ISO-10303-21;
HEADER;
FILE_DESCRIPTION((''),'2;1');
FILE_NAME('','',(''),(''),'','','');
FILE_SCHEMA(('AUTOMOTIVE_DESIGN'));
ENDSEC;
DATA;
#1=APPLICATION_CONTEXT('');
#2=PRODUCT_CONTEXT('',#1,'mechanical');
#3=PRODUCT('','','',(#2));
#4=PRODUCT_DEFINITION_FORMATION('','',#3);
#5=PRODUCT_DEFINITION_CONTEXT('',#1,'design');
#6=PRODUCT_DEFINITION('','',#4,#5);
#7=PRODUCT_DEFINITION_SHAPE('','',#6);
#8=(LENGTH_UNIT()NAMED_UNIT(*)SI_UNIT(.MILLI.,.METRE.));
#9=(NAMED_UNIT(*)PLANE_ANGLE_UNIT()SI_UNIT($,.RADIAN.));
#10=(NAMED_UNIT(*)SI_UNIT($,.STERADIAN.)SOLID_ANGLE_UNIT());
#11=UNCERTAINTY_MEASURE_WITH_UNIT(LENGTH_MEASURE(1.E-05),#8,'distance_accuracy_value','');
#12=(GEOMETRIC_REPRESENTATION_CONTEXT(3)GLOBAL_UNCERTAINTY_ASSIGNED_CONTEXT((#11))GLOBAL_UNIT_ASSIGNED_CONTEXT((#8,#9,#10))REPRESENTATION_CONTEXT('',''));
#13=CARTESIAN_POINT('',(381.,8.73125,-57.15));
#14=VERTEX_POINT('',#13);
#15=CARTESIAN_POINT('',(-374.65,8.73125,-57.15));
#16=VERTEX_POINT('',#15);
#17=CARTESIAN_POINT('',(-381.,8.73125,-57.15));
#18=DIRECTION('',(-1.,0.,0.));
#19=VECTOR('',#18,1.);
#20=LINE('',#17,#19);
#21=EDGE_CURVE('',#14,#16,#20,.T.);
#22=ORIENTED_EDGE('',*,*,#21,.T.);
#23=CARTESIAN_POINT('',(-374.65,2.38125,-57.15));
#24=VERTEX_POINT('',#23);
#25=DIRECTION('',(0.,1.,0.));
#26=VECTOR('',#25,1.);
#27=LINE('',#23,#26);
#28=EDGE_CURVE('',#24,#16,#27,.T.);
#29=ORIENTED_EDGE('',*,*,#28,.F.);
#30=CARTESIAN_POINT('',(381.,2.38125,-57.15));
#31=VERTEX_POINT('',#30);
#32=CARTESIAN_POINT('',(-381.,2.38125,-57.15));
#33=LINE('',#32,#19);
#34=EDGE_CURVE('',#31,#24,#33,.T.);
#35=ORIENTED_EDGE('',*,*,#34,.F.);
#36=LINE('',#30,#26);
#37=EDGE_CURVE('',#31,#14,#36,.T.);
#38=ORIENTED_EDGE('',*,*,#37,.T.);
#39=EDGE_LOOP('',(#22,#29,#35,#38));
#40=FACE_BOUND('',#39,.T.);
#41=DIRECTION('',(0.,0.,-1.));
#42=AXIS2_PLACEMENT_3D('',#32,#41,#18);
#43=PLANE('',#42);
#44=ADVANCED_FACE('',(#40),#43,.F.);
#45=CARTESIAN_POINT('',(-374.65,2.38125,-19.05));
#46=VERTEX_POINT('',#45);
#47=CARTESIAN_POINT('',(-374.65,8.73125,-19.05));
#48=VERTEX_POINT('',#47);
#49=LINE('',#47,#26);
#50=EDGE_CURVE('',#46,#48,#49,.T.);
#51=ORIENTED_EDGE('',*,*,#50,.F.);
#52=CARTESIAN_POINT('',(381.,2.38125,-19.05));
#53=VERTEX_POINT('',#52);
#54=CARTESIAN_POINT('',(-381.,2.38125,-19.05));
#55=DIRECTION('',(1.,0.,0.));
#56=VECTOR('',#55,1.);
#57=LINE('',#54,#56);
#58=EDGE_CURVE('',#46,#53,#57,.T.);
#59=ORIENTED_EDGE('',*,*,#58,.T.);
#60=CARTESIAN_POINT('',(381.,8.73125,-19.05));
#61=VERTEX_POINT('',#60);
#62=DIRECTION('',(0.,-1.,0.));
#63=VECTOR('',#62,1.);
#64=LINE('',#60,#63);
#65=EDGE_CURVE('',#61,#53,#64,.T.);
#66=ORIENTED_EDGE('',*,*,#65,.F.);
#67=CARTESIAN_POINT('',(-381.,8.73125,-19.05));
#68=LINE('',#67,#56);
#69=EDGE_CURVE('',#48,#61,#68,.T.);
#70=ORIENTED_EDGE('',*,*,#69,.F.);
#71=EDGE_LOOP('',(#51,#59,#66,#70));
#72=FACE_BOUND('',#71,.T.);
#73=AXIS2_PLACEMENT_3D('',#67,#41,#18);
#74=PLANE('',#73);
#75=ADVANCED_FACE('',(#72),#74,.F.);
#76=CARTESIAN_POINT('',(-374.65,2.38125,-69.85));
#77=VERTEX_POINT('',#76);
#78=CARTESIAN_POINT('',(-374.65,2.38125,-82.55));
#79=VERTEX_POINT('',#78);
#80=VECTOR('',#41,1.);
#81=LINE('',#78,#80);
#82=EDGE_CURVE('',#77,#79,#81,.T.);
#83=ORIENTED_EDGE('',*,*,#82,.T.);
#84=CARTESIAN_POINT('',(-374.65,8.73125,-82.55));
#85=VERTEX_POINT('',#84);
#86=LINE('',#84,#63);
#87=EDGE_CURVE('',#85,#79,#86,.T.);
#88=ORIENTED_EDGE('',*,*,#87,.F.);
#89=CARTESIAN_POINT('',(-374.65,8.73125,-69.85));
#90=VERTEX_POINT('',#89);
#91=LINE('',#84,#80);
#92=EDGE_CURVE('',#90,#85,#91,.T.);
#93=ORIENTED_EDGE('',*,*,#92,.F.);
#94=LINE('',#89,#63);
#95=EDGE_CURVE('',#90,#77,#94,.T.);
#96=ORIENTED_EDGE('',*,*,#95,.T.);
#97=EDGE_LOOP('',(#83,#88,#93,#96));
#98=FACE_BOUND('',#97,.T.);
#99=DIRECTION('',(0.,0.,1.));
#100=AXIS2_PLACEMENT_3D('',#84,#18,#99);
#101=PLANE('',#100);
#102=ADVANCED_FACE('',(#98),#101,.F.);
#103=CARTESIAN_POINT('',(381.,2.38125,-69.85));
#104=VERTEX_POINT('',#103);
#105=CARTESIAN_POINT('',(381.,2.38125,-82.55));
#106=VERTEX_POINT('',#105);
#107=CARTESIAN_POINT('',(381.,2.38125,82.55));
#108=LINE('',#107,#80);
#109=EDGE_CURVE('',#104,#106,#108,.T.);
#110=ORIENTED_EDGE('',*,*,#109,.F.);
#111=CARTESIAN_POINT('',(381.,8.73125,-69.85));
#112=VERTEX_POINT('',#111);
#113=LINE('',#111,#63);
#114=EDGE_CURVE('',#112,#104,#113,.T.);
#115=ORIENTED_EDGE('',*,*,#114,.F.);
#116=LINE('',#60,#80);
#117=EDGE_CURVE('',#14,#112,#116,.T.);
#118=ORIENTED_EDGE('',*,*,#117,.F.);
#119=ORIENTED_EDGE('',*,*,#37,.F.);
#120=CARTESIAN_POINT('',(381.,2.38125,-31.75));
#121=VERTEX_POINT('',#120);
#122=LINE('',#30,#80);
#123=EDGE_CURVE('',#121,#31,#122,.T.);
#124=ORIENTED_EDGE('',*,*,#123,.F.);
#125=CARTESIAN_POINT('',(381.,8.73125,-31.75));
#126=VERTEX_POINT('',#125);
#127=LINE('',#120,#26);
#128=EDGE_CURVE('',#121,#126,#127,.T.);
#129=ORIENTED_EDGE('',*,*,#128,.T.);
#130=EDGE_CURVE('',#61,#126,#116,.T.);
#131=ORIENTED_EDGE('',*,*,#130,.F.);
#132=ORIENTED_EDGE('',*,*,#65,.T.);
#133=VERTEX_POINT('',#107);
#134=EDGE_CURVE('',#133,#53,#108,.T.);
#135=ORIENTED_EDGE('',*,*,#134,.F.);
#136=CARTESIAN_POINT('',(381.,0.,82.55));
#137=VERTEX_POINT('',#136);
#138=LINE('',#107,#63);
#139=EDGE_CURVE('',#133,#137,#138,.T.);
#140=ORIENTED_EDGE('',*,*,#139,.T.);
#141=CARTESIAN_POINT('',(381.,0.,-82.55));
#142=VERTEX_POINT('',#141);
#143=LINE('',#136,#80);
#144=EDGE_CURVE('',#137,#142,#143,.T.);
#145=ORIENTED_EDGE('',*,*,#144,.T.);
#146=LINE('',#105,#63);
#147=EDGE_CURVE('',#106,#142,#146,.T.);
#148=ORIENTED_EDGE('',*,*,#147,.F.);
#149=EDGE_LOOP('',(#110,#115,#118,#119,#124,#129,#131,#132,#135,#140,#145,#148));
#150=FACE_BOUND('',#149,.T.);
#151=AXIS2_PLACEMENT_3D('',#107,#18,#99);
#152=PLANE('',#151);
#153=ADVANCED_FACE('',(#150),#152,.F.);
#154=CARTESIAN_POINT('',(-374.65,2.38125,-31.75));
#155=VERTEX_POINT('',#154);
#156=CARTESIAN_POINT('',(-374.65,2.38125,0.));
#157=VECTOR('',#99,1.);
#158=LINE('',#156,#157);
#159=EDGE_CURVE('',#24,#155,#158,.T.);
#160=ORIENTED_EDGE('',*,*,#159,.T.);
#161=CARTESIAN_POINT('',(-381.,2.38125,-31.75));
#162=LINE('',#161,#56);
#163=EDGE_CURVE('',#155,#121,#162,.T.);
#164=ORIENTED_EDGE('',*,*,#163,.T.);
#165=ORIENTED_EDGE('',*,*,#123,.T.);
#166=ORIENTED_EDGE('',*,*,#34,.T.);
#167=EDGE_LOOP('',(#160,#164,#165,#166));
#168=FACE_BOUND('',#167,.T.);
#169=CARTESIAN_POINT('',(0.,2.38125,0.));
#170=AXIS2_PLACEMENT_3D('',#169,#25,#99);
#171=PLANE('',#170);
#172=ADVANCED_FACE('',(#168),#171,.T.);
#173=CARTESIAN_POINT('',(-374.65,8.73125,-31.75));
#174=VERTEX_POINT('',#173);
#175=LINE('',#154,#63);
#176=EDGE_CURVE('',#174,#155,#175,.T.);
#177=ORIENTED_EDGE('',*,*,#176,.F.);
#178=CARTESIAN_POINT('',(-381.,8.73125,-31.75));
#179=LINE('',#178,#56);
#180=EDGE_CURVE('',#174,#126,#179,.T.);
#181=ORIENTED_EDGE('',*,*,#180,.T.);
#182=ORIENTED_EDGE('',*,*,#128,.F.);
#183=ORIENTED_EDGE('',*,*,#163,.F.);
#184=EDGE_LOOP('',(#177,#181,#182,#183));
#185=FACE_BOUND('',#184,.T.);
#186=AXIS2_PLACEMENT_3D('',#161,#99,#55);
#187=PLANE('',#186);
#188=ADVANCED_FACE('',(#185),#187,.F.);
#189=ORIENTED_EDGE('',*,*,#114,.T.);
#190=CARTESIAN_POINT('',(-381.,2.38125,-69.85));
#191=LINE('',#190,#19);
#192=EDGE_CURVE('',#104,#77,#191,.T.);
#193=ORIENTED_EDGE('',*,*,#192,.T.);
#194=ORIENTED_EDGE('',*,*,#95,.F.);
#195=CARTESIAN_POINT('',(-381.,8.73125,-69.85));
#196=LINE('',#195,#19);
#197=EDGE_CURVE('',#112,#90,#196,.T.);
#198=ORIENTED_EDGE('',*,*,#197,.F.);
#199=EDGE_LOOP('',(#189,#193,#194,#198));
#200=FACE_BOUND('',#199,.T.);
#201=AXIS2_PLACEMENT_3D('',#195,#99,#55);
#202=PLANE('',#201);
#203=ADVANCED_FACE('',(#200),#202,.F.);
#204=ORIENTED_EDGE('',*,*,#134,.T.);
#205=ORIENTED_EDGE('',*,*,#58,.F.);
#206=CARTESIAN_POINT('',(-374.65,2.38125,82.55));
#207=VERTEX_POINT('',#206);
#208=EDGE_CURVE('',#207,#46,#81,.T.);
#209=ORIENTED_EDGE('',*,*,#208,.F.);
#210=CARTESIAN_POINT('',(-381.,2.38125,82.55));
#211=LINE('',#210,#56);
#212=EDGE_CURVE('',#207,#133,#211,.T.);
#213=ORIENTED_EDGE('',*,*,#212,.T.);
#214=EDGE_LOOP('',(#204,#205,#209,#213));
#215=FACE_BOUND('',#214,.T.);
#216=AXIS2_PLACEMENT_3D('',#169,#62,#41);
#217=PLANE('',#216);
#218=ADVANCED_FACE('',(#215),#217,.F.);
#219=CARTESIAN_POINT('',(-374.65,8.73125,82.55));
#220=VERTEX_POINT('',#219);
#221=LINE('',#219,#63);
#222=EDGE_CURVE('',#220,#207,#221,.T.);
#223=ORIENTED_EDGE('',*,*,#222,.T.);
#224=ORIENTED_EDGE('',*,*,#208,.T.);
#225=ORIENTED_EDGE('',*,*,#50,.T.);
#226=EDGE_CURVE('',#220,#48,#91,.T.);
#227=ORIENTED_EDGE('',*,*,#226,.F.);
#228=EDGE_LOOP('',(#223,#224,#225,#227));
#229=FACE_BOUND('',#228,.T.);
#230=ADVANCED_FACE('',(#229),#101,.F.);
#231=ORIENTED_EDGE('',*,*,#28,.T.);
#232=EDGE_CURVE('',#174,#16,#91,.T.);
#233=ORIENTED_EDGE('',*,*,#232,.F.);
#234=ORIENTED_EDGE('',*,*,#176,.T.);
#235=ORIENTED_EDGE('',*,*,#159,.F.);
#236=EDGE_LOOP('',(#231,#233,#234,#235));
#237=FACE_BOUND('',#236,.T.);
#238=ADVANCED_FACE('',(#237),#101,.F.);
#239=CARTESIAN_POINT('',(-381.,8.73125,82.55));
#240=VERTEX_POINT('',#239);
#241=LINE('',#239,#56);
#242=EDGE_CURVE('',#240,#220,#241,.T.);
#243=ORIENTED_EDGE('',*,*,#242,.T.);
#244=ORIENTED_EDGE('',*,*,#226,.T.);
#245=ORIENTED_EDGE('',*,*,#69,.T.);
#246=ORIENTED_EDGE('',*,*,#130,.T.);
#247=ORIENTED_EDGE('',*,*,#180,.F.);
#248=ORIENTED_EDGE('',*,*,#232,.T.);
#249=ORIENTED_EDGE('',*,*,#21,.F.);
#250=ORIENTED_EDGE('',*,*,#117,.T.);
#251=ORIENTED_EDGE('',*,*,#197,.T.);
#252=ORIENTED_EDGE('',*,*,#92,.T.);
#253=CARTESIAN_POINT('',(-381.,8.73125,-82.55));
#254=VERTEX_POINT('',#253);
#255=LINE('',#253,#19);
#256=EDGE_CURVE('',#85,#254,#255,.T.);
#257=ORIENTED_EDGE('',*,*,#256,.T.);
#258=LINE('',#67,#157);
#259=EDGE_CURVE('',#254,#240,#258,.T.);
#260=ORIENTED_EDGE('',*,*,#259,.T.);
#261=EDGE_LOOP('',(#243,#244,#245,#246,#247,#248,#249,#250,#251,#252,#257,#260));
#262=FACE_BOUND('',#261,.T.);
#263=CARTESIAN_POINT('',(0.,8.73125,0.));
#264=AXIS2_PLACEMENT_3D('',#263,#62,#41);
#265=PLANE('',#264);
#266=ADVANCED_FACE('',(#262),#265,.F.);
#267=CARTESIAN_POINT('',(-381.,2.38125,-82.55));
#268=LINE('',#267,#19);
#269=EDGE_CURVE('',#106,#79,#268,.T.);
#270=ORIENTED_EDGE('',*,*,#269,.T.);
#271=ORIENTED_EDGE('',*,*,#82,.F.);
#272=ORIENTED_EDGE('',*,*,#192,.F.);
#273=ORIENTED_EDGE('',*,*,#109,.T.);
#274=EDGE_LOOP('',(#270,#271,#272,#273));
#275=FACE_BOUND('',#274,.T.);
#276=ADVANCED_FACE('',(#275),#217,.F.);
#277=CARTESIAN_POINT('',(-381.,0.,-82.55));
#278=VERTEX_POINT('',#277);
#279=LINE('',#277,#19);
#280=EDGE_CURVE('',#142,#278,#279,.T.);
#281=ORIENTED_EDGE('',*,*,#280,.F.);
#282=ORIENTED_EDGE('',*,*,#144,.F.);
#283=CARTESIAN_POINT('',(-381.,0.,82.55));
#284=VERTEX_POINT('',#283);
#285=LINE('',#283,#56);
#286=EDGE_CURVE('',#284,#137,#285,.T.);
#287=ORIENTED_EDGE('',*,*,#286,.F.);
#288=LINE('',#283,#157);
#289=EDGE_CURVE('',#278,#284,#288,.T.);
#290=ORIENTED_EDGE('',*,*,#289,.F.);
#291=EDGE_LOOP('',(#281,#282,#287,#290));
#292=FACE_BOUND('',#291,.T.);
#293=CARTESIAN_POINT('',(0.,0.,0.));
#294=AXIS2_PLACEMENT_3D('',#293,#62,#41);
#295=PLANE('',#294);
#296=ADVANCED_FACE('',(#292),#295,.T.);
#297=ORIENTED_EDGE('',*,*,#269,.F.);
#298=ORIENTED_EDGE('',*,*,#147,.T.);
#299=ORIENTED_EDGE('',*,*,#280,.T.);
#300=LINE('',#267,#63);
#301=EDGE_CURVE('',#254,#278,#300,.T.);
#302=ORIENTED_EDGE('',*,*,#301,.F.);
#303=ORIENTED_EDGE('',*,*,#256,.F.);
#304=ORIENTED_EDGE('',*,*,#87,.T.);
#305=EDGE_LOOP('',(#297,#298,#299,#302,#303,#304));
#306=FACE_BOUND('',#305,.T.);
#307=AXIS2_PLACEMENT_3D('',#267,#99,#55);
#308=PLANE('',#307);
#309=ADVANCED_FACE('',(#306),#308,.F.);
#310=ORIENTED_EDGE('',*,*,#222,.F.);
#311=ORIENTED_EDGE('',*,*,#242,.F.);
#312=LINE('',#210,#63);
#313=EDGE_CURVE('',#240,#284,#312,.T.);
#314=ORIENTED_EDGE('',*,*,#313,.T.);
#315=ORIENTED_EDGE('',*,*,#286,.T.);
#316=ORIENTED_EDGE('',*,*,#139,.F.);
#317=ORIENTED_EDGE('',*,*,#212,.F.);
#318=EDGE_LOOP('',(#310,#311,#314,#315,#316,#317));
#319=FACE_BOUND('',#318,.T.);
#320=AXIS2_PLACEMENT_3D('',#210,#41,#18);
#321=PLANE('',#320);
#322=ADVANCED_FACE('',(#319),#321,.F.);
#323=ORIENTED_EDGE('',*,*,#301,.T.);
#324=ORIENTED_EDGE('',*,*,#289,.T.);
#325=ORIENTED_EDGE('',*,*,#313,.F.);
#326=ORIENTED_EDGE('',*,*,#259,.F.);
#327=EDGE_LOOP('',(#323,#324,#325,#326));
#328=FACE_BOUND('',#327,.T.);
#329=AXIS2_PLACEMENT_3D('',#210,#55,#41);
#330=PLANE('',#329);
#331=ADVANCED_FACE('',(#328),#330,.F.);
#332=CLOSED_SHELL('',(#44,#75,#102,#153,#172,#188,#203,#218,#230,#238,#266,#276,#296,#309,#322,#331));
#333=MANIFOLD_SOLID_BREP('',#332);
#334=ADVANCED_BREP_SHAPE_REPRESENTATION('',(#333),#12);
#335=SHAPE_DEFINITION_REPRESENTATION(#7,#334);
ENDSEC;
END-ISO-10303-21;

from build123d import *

# Parameters (mm, degrees)
SKETCH1_W           = 762
SKETCH1_H           = 165.1
BOSS_EXTRUDE1_DEPTH = 2.38125
SKETCH2_W           = 762
SKETCH2_H           = 50.8
BOSS_EXTRUDE2_DEPTH = 6.35
SKETCH3_W           = 762
SKETCH3_H           = 25.4
CUT_EXTRUDE1_DEPTH  = 6.35
SKETCH4_W           = 6.35
SKETCH4_H           = 165.1
BOSS_EXTRUDE3_DEPTH = 6.35


with BuildPart() as part:
    # Sketch1 → Boss-Extrude1 (new body)
    with BuildSketch(Plane(origin=(0, 0, 0), x_dir=(1, 0, 0), z_dir=(0, 1, 0))):
        Rectangle(SKETCH1_W, SKETCH1_H)
    extrude(amount=BOSS_EXTRUDE1_DEPTH)

    # Sketch2 → Boss-Extrude2 (add)
    with BuildSketch(Plane(origin=(0, 2.38125, 0), x_dir=(1, 0, 0), z_dir=(0, 1, 0))):
        with Locations((0, 44.45)):
            Rectangle(SKETCH2_W, SKETCH2_H)
    extrude(amount=BOSS_EXTRUDE2_DEPTH)

    # Sketch3 → Cut-Extrude1 (cut)
    with BuildSketch(Plane(origin=(0, 8.73125, 0), x_dir=(1, 0, 0), z_dir=(0, 1, 0))):
        with Locations((0, 44.45)):
            Rectangle(SKETCH3_W, SKETCH3_H)
    extrude(amount=-CUT_EXTRUDE1_DEPTH, mode=Mode.SUBTRACT)

    # Sketch4 → Boss-Extrude3 (add)
    with BuildSketch(Plane(origin=(0, 2.38125, 0), x_dir=(1, 0, 0), z_dir=(0, 1, 0))):
        with Locations((-377.825, 0)):
            Rectangle(SKETCH4_W, SKETCH4_H)
    extrude(amount=BOSS_EXTRUDE3_DEPTH)


solid = part.part
